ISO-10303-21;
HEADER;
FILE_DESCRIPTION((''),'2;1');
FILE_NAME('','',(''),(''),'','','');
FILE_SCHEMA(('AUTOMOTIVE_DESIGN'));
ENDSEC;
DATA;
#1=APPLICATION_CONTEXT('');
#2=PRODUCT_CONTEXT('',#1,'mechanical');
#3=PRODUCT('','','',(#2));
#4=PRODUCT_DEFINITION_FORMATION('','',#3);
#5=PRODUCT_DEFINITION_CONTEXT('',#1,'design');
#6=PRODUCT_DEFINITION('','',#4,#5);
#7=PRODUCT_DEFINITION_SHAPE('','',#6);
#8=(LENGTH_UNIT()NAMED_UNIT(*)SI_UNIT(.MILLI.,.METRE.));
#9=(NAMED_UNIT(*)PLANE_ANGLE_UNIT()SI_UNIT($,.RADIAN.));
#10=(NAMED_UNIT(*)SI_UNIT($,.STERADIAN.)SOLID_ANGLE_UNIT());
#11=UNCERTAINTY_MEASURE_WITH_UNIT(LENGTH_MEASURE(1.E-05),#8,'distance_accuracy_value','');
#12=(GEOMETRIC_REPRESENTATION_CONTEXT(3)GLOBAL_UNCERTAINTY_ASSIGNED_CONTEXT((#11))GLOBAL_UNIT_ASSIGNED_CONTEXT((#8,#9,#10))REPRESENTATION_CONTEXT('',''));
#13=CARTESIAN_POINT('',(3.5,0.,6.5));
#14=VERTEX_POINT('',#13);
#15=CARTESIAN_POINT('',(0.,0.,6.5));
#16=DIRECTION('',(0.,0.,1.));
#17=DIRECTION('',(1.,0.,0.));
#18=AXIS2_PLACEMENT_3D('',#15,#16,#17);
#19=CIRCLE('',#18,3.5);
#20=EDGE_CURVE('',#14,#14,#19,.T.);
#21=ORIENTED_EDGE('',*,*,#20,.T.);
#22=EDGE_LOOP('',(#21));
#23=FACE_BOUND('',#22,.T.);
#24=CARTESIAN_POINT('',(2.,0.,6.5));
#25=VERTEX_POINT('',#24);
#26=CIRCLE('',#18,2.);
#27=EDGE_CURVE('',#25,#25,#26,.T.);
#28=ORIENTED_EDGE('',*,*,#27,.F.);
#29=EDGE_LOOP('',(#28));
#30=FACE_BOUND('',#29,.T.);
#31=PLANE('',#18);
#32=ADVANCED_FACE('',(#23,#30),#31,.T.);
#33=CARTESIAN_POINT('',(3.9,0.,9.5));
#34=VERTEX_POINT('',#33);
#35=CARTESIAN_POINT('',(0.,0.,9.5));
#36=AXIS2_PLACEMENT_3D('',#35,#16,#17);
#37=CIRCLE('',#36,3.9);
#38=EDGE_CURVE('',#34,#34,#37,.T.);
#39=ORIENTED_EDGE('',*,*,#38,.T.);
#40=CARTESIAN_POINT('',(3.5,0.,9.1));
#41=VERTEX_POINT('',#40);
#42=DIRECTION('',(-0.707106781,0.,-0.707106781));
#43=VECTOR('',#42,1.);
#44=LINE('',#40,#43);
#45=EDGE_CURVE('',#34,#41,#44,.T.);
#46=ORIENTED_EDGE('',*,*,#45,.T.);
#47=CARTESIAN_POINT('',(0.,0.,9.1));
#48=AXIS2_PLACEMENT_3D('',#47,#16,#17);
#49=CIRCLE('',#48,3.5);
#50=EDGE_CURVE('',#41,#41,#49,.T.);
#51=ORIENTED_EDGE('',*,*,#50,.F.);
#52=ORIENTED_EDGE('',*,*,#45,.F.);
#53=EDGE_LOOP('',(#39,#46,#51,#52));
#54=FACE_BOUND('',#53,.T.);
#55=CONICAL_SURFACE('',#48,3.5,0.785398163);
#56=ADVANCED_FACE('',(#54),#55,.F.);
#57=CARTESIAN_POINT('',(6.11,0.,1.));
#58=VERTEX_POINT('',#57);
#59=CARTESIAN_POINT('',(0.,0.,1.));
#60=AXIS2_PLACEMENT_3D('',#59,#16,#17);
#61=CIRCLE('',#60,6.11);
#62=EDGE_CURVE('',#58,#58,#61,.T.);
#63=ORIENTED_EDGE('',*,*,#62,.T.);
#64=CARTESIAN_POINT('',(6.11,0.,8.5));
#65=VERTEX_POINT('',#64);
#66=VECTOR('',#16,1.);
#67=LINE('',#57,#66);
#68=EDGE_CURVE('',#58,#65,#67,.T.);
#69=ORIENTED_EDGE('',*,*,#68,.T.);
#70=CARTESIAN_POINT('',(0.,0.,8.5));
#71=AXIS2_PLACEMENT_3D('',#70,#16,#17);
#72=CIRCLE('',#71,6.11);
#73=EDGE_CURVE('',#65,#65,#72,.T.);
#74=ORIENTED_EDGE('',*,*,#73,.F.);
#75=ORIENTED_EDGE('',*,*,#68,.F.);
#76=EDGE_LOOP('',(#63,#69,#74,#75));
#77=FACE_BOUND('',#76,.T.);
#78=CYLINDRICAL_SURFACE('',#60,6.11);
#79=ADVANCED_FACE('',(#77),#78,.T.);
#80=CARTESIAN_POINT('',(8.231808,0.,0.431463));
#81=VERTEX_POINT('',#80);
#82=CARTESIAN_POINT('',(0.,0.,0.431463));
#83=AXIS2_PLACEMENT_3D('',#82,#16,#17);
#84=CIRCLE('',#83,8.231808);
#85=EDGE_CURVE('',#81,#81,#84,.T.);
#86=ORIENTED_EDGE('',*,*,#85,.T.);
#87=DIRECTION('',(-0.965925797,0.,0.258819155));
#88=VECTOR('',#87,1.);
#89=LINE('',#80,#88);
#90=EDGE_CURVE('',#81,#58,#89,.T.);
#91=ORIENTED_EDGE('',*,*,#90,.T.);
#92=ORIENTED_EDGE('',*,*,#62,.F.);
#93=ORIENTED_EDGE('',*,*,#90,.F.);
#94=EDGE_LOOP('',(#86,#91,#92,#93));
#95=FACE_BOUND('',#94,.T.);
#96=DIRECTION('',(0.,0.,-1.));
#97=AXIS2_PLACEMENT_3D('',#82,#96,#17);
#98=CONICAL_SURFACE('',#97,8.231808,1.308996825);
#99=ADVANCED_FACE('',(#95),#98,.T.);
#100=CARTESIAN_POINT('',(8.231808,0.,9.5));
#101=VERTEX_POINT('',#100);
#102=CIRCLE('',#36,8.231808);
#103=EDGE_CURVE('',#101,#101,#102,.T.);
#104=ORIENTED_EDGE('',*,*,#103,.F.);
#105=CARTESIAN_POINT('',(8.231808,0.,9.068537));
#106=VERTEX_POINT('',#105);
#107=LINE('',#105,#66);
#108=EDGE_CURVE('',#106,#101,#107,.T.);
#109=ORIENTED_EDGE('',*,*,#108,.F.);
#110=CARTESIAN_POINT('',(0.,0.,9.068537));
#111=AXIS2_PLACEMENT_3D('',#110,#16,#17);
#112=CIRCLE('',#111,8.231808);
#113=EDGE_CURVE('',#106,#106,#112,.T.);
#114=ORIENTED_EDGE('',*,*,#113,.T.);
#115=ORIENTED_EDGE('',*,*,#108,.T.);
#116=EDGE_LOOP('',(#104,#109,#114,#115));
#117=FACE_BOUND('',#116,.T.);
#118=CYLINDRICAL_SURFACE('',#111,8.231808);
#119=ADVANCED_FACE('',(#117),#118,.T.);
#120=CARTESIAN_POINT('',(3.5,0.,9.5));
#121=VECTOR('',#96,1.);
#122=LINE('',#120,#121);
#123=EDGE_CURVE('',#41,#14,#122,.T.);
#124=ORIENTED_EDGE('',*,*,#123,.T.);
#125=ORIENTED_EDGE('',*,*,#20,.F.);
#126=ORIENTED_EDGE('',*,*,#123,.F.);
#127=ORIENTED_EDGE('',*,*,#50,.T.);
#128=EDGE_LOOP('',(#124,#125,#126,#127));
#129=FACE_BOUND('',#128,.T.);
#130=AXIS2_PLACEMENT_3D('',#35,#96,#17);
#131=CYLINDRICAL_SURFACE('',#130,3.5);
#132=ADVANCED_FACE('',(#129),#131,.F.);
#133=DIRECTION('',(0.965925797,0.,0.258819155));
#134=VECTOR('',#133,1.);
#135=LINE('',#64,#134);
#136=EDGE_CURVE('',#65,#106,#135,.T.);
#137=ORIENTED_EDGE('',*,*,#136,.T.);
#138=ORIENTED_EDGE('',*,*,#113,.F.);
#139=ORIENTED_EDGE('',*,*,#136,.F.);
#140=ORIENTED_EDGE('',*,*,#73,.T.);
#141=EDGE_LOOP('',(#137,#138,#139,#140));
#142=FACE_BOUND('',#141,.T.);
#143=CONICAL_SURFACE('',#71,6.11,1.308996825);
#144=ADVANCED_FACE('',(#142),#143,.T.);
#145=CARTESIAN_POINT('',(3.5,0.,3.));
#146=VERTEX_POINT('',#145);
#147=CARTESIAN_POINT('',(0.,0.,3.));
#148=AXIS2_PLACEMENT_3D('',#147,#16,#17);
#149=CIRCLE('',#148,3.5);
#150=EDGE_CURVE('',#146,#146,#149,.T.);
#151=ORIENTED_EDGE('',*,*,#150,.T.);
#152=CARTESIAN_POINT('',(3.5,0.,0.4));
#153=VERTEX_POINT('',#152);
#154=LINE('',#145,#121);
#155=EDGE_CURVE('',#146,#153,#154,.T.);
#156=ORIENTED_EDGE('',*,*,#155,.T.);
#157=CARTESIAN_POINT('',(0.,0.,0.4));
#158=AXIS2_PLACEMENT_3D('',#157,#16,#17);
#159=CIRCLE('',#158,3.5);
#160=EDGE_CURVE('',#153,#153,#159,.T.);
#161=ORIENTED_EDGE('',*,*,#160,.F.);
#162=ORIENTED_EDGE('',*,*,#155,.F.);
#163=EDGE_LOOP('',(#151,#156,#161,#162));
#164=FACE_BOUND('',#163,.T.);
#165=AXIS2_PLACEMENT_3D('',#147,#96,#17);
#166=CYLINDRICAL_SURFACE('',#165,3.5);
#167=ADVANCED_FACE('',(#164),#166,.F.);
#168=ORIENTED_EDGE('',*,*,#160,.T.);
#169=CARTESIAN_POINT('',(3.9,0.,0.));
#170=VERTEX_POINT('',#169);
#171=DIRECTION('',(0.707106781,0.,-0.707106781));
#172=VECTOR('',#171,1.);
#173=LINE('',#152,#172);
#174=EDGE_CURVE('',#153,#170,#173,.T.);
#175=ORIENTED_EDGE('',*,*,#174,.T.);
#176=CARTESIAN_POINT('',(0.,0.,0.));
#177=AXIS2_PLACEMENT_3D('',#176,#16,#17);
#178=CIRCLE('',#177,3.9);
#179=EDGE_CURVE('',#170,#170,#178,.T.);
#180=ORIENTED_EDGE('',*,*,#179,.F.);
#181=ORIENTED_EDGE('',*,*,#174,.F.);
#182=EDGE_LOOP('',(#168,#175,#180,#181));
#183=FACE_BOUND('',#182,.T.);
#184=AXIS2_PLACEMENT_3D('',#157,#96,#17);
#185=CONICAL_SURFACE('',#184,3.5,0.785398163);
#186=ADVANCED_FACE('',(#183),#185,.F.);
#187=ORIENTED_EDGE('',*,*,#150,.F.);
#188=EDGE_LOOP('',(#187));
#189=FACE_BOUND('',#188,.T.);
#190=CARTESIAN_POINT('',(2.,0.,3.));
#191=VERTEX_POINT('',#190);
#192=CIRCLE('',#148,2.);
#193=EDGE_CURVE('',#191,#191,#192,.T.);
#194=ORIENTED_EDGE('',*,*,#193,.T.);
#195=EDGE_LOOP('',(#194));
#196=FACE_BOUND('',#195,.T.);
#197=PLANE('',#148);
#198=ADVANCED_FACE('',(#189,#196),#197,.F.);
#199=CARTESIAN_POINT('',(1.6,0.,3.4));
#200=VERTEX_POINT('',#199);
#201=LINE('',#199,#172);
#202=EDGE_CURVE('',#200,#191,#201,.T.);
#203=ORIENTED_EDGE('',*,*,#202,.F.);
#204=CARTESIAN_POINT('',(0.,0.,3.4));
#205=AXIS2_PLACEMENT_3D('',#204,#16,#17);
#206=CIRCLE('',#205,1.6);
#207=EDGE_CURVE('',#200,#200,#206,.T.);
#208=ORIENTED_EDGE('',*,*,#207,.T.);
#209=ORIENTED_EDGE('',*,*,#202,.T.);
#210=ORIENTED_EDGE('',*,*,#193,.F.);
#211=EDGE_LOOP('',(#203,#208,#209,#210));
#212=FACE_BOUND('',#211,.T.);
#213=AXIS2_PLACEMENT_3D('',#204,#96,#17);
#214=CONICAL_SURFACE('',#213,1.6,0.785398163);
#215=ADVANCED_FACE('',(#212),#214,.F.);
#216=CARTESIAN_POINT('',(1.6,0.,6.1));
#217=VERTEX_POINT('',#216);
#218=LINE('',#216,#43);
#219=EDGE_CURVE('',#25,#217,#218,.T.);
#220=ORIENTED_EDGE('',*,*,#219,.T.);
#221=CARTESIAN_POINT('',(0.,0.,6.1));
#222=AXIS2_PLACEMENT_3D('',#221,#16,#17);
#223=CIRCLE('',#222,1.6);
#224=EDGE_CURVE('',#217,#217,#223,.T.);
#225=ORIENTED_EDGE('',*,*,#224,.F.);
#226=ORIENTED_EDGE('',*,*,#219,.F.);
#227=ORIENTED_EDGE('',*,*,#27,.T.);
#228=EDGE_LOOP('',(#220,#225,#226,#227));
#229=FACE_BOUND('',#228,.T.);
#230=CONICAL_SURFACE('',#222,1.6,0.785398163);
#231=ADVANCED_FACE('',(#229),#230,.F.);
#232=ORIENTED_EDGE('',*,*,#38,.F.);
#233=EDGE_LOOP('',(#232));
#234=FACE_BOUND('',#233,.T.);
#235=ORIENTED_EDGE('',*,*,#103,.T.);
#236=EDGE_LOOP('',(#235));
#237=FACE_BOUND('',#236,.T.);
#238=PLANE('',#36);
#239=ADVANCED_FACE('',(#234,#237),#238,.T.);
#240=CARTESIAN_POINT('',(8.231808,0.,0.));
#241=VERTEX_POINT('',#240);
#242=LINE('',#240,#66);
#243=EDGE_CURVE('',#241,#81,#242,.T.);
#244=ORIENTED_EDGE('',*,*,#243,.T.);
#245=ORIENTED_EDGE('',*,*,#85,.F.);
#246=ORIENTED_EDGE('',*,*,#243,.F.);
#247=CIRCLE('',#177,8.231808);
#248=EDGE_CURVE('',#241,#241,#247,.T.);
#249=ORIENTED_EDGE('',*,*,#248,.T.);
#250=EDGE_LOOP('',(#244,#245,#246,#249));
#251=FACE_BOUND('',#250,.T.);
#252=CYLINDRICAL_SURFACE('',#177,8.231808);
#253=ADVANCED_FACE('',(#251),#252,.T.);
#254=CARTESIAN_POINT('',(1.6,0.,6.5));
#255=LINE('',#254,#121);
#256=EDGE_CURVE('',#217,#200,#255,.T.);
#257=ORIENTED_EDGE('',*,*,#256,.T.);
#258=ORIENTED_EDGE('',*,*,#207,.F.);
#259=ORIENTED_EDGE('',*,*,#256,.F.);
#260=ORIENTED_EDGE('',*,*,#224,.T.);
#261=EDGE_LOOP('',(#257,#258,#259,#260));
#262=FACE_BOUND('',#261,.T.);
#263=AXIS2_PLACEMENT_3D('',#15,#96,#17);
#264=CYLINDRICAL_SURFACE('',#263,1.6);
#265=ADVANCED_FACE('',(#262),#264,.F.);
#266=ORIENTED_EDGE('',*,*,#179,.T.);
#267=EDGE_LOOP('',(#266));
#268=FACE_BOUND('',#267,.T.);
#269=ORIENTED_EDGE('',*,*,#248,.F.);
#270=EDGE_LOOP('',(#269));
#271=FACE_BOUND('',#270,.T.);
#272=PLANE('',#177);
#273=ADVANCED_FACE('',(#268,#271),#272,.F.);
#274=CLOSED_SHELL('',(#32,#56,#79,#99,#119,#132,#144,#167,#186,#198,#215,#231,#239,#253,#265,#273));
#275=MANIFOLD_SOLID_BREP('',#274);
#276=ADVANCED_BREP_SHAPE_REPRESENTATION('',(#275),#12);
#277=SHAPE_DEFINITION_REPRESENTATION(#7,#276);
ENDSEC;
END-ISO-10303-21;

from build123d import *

# Parameters (mm, degrees)
F2_SIZE = 0.4


with BuildPart() as f1:
    # F0 (on Front) → F1 (revolve)
    with BuildSketch(Plane.XZ):
        Polygon((3.5, 3), (3.5, 0), (8.231808, 0), (8.231808, 0.431463), (6.11, 1), (6.11, 8.5), (8.231808, 9.068537), (8.231808, 9.5), (3.5, 9.5), (3.5, 6.5), (1.6, 6.5), (1.6, 3), align=None)
    revolve(axis=Axis((0, 0, 7.577015), (0, 0, 1)))

    # F2
    f2_edges = [f1.edges().sort_by_distance(p)[0] for p in [
        (-3.5, 0, 9.5),
        (-3.5, 0, 0),
        (-1.6, 0, 6.5),
        (-1.6, 0, 3),
        (1.6, 0, 4.75),
    ]]
    chamfer(f2_edges, length=F2_SIZE)


solid = f1.part
